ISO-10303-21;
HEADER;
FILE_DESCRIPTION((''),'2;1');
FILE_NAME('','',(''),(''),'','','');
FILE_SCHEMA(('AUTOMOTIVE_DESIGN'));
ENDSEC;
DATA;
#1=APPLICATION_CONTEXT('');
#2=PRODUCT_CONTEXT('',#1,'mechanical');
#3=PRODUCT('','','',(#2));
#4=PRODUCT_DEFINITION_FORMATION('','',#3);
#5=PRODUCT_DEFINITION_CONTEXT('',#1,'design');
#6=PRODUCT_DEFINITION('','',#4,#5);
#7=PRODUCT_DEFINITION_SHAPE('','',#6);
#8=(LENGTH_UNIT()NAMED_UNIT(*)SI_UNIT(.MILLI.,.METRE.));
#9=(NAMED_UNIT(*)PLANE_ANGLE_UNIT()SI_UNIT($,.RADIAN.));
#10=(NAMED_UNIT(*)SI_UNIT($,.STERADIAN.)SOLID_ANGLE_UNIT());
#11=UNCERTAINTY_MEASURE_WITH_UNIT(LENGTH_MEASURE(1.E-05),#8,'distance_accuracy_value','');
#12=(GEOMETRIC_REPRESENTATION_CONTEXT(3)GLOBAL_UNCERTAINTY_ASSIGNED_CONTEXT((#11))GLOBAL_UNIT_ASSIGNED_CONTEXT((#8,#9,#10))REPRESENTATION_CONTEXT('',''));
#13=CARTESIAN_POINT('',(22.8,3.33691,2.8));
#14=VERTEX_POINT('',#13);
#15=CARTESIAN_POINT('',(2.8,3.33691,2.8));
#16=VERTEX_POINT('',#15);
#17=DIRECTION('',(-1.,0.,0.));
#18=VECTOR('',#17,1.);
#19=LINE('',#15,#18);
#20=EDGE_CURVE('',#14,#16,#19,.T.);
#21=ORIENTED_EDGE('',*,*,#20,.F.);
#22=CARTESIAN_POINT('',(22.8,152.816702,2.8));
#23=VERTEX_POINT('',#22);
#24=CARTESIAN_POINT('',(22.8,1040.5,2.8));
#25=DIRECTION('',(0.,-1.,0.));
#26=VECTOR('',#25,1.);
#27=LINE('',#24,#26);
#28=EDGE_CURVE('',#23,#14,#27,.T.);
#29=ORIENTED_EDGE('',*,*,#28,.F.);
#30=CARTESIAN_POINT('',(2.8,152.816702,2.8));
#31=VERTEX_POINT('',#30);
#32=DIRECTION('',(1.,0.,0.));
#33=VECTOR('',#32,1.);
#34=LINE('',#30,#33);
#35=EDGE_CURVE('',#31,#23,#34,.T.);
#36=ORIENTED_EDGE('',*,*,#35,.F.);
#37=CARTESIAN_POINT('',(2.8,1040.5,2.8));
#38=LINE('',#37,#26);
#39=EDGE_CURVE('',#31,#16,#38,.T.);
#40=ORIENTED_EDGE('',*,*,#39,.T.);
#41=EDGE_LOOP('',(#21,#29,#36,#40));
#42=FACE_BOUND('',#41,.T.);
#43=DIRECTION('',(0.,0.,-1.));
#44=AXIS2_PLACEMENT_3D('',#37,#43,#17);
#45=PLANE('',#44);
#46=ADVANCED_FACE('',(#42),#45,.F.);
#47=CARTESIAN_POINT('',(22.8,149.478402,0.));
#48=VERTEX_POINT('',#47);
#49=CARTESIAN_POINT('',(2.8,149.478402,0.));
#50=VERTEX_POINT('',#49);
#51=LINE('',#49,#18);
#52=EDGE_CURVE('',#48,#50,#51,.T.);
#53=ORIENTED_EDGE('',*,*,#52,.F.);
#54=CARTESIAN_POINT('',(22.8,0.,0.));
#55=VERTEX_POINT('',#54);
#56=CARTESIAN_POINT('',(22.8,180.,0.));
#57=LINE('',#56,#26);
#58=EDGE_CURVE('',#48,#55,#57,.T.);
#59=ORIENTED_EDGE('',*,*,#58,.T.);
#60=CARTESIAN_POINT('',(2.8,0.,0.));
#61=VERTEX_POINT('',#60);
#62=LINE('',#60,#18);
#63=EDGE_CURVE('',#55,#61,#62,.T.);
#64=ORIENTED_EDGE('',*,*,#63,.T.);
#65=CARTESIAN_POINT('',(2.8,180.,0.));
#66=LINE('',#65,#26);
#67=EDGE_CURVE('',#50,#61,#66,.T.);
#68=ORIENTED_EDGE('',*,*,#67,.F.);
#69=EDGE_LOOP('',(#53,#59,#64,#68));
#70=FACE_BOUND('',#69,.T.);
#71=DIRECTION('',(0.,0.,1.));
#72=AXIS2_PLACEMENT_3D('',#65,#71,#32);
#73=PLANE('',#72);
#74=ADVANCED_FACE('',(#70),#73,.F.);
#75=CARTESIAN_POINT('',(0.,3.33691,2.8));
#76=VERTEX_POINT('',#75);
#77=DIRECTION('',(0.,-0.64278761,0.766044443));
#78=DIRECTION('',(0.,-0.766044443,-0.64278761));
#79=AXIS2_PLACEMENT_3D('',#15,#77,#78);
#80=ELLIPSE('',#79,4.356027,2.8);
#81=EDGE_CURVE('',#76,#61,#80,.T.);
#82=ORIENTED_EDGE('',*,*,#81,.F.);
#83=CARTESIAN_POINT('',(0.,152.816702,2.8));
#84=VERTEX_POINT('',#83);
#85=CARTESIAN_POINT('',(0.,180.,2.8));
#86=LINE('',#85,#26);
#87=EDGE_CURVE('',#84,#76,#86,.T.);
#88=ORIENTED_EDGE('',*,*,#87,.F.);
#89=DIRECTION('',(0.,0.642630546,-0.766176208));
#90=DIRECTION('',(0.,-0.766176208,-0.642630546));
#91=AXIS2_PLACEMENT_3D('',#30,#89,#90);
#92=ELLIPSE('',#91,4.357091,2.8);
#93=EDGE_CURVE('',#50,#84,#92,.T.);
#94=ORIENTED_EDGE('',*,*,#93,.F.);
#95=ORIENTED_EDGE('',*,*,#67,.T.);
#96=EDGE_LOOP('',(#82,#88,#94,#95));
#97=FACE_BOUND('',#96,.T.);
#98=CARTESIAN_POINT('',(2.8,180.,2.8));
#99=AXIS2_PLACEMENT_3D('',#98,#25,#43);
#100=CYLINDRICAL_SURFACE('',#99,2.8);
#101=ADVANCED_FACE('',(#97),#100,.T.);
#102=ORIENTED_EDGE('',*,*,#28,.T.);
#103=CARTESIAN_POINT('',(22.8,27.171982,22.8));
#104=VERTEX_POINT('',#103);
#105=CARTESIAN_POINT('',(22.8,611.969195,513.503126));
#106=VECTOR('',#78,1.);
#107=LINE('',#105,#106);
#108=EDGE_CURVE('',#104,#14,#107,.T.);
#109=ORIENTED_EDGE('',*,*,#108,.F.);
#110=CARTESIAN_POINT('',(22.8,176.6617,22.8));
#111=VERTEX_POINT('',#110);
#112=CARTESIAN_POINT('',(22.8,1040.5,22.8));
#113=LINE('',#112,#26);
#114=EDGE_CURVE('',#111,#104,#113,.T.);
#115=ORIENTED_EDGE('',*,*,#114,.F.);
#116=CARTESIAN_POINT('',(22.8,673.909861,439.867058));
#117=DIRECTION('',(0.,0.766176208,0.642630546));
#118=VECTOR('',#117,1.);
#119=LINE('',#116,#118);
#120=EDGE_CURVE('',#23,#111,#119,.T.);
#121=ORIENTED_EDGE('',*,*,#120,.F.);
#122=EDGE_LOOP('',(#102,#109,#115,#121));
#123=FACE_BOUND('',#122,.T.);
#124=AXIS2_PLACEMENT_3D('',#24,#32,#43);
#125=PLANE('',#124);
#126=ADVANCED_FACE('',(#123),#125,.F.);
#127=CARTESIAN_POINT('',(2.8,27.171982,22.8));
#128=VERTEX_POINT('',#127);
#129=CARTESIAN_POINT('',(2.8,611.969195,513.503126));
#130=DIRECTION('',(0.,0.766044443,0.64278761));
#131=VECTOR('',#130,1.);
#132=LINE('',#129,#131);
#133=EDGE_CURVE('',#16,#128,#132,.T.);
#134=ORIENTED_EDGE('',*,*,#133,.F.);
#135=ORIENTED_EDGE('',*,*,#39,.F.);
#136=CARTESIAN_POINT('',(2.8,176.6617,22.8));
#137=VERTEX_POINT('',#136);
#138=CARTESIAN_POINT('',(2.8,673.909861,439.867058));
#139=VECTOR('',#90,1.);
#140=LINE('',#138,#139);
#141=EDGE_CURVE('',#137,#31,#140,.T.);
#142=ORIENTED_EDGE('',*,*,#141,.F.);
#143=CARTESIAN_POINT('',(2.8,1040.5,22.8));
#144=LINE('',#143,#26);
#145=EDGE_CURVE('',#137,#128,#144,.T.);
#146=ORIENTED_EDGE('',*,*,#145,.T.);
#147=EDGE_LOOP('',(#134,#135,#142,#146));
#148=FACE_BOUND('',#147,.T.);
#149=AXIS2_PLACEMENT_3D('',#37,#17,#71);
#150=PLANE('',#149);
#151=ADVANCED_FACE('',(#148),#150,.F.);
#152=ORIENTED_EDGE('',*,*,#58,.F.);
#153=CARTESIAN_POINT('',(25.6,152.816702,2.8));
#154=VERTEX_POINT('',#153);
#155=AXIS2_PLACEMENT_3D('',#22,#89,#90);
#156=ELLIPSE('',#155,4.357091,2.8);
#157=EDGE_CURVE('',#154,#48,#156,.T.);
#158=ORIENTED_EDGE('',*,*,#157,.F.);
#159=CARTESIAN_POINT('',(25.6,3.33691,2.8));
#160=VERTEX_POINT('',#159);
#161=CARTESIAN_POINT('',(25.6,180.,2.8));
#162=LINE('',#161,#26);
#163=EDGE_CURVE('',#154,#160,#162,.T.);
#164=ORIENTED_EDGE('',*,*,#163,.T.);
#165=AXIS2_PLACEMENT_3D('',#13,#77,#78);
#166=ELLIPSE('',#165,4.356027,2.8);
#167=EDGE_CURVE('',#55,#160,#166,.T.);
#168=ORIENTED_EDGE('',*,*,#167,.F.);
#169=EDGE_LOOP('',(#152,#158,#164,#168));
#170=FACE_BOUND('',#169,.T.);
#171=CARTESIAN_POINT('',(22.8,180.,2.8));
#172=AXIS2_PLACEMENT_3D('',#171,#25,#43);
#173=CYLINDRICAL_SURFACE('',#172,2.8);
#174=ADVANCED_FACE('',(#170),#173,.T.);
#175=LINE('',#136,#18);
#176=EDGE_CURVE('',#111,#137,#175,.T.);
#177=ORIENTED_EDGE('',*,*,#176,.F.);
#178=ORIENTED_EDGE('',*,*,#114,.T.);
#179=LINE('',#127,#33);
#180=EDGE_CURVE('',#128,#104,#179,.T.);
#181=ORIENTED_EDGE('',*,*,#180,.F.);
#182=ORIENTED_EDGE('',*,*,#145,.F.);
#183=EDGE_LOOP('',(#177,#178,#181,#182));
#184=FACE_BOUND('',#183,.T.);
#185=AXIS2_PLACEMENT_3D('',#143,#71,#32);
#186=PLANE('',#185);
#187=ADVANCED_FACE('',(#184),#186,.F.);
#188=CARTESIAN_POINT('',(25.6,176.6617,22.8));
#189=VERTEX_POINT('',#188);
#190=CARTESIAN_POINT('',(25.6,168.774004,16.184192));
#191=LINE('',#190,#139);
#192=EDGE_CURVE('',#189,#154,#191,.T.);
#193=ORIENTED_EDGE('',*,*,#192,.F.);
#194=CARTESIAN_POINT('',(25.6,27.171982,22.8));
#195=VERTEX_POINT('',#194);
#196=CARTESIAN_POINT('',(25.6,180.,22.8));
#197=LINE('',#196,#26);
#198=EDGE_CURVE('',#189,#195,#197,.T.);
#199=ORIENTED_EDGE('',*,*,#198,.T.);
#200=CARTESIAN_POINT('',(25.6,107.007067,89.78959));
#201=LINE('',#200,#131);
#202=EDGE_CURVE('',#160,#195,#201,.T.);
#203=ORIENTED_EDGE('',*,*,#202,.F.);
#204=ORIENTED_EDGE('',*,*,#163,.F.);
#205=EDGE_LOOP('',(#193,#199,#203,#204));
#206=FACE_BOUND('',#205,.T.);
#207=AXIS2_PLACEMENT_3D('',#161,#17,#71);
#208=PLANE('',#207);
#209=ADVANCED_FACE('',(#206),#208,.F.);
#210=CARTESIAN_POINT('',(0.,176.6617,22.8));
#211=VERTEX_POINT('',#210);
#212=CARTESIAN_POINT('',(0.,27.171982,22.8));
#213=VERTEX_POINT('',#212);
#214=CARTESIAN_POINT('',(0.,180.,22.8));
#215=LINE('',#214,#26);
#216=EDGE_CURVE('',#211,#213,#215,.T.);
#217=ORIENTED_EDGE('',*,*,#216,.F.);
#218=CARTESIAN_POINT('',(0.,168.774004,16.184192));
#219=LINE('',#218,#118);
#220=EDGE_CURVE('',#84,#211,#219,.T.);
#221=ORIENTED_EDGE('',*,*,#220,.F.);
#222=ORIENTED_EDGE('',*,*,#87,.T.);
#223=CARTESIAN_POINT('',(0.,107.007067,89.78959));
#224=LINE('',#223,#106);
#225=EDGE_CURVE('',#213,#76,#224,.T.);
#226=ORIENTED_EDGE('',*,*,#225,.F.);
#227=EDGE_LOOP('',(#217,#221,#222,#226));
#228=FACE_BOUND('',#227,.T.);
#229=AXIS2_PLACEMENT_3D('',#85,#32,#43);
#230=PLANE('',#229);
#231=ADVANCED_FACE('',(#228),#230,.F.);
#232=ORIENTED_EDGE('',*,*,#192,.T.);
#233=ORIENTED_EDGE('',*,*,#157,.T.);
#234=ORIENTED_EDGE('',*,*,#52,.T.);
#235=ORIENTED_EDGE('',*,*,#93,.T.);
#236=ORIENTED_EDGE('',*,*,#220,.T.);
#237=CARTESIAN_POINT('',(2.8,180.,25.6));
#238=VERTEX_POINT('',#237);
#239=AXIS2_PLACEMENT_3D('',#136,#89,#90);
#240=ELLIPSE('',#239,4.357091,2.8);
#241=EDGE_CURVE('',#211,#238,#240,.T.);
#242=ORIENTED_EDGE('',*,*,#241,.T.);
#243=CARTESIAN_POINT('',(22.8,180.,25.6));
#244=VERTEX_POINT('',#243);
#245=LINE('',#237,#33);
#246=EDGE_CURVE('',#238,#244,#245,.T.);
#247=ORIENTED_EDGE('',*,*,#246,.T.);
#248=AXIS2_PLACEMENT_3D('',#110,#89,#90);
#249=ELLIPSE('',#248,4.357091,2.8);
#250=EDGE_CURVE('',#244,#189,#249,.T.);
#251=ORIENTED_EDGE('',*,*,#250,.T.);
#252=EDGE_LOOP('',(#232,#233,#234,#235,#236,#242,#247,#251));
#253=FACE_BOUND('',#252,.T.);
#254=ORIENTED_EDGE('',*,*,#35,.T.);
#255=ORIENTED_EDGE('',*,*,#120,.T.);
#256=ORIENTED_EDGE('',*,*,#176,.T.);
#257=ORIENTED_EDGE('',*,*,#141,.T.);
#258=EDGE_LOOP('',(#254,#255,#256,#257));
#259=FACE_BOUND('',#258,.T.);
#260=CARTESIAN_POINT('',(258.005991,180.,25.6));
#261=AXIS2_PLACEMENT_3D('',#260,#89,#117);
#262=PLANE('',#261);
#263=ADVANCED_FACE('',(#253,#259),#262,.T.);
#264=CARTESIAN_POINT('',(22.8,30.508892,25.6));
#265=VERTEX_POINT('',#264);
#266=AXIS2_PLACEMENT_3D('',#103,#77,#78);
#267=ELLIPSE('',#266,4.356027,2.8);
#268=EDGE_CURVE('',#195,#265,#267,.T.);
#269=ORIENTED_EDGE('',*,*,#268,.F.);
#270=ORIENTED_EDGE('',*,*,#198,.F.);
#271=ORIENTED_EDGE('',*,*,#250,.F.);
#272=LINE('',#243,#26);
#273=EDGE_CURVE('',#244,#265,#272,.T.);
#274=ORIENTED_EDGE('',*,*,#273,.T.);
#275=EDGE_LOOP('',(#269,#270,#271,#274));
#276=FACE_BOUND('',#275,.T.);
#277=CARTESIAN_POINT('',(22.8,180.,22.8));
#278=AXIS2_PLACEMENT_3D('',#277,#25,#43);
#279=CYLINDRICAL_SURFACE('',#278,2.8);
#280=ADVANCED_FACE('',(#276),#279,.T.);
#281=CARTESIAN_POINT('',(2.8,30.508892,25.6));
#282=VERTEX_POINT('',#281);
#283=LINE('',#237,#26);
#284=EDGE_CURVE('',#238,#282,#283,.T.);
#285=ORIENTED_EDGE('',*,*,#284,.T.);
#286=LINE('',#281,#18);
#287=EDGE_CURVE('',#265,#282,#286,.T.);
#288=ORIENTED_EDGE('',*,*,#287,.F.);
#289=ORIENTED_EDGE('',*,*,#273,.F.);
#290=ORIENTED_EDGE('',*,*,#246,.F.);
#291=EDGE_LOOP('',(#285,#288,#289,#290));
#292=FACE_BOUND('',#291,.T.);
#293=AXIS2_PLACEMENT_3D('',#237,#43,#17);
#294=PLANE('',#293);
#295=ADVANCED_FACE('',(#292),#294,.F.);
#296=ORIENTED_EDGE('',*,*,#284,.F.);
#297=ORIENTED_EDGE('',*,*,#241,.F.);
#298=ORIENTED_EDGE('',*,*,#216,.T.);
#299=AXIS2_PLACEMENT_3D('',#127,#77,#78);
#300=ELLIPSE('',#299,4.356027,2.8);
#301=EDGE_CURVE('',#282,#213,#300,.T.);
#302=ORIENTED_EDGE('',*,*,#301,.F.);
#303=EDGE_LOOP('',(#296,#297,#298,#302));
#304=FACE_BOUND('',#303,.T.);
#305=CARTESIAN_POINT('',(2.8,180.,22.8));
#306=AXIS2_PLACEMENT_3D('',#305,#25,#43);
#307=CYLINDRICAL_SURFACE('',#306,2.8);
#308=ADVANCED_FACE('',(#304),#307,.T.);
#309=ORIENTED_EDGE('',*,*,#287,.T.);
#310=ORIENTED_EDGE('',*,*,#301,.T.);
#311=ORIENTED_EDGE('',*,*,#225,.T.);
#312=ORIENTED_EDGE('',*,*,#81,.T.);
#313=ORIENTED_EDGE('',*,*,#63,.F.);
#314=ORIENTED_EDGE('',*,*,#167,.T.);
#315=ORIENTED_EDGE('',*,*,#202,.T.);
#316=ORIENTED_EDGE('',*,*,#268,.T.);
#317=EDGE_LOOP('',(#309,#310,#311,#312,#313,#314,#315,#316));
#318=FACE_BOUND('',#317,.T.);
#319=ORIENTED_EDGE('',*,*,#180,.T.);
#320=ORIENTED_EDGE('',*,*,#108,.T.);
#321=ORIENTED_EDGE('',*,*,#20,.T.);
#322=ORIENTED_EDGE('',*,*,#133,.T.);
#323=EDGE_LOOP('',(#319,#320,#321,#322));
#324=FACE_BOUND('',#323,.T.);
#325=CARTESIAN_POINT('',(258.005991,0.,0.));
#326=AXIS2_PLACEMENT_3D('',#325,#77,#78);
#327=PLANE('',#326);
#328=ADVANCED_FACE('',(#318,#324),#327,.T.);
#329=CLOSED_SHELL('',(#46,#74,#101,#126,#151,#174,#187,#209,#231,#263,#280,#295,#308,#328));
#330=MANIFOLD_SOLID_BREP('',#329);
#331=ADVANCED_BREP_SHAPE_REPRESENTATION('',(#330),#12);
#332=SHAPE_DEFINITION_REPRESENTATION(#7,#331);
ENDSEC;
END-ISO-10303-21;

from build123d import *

# Parameters (mm, degrees)
BOSS_EXTRUDE1_DEPTH     = 180
SKETCH3_W               = 20
SKETCH3_H               = 20
CUT_EXTRUDE1_DEPTH      = 1040.5
CUT_EXTRUDE5_DEPTH      = 184.604792966
CUT_EXTRUDE5_DEPTH_BACK = 184.604792966
CUT_EXTRUDE6_DEPTH      = 184.604792966
CUT_EXTRUDE6_DEPTH_BACK = 184.604792966


with BuildPart() as part:
    # Sketch1 → Boss-Extrude1 (new body)
    with BuildSketch(Plane(origin=(0, 0, 0), x_dir=(1, 0, 0), z_dir=(0, 1, 0))):
        with BuildLine():
            Line((2.8, 0), (22.8, 0))
            ThreePointArc((22.8, 0), (24.779898987, -0.820101013), (25.6, -2.8))
            Line((25.6, -2.8), (25.6, -22.8))
            ThreePointArc((25.6, -22.8), (24.779898987, -24.779898987), (22.8, -25.6))
            Line((22.8, -25.6), (2.8, -25.6))
            ThreePointArc((2.8, -25.6), (0.820101013, -24.779898987), (0, -22.8))
            Line((0, -22.8), (0, -2.8))
            ThreePointArc((0, -2.8), (0.820101013, -0.820101013), (2.8, 0))
        make_face()
    extrude(amount=BOSS_EXTRUDE1_DEPTH)

    # Sketch3 → Cut-Extrude1 (cut)
    with BuildSketch(Plane(origin=(0, 0, 0), x_dir=(-1, 0, 0), z_dir=(0, -1, 0))):
        with Locations((-12.8, -12.8)):
            Rectangle(SKETCH3_W, SKETCH3_H)
    extrude(amount=-CUT_EXTRUDE1_DEPTH, mode=Mode.SUBTRACT)

    # Sketch4 → Cut-Extrude5 (cut, two sides: drawn at the far end of the back side and taken through both)
    with BuildSketch(Plane(origin=(0, 0, 0), x_dir=(0, 0, -1), z_dir=(1, 0, 0)).offset(-CUT_EXTRUDE5_DEPTH_BACK)):
        Polygon((240.160017549, -286.211563711), (0, 0), (-37.642040262, 44.860036715), (-277.802057811, 331.071600426), (-850.225185234, -149.248434672), (-332.263109874, -766.531598809), align=None)
    extrude(amount=CUT_EXTRUDE5_DEPTH + CUT_EXTRUDE5_DEPTH_BACK, mode=Mode.SUBTRACT)

    # Sketch5 → Cut-Extrude6 (cut, two sides: drawn at the far end of the back side and taken through both)
    with BuildSketch(Plane(origin=(0, 0, 0), x_dir=(0, 0, -1), z_dir=(1, 0, 0)).offset(-CUT_EXTRUDE6_DEPTH_BACK)):
        Polygon((-265.701334921, 466.260794033), (-25.6, 180), (12.011413449, 135.157795845), (252.11274837, -151.102998188), (824.634336435, 329.099671655), (306.820253144, 946.463463875), align=None)
    extrude(amount=CUT_EXTRUDE6_DEPTH + CUT_EXTRUDE6_DEPTH_BACK, mode=Mode.SUBTRACT)


solid = part.part
